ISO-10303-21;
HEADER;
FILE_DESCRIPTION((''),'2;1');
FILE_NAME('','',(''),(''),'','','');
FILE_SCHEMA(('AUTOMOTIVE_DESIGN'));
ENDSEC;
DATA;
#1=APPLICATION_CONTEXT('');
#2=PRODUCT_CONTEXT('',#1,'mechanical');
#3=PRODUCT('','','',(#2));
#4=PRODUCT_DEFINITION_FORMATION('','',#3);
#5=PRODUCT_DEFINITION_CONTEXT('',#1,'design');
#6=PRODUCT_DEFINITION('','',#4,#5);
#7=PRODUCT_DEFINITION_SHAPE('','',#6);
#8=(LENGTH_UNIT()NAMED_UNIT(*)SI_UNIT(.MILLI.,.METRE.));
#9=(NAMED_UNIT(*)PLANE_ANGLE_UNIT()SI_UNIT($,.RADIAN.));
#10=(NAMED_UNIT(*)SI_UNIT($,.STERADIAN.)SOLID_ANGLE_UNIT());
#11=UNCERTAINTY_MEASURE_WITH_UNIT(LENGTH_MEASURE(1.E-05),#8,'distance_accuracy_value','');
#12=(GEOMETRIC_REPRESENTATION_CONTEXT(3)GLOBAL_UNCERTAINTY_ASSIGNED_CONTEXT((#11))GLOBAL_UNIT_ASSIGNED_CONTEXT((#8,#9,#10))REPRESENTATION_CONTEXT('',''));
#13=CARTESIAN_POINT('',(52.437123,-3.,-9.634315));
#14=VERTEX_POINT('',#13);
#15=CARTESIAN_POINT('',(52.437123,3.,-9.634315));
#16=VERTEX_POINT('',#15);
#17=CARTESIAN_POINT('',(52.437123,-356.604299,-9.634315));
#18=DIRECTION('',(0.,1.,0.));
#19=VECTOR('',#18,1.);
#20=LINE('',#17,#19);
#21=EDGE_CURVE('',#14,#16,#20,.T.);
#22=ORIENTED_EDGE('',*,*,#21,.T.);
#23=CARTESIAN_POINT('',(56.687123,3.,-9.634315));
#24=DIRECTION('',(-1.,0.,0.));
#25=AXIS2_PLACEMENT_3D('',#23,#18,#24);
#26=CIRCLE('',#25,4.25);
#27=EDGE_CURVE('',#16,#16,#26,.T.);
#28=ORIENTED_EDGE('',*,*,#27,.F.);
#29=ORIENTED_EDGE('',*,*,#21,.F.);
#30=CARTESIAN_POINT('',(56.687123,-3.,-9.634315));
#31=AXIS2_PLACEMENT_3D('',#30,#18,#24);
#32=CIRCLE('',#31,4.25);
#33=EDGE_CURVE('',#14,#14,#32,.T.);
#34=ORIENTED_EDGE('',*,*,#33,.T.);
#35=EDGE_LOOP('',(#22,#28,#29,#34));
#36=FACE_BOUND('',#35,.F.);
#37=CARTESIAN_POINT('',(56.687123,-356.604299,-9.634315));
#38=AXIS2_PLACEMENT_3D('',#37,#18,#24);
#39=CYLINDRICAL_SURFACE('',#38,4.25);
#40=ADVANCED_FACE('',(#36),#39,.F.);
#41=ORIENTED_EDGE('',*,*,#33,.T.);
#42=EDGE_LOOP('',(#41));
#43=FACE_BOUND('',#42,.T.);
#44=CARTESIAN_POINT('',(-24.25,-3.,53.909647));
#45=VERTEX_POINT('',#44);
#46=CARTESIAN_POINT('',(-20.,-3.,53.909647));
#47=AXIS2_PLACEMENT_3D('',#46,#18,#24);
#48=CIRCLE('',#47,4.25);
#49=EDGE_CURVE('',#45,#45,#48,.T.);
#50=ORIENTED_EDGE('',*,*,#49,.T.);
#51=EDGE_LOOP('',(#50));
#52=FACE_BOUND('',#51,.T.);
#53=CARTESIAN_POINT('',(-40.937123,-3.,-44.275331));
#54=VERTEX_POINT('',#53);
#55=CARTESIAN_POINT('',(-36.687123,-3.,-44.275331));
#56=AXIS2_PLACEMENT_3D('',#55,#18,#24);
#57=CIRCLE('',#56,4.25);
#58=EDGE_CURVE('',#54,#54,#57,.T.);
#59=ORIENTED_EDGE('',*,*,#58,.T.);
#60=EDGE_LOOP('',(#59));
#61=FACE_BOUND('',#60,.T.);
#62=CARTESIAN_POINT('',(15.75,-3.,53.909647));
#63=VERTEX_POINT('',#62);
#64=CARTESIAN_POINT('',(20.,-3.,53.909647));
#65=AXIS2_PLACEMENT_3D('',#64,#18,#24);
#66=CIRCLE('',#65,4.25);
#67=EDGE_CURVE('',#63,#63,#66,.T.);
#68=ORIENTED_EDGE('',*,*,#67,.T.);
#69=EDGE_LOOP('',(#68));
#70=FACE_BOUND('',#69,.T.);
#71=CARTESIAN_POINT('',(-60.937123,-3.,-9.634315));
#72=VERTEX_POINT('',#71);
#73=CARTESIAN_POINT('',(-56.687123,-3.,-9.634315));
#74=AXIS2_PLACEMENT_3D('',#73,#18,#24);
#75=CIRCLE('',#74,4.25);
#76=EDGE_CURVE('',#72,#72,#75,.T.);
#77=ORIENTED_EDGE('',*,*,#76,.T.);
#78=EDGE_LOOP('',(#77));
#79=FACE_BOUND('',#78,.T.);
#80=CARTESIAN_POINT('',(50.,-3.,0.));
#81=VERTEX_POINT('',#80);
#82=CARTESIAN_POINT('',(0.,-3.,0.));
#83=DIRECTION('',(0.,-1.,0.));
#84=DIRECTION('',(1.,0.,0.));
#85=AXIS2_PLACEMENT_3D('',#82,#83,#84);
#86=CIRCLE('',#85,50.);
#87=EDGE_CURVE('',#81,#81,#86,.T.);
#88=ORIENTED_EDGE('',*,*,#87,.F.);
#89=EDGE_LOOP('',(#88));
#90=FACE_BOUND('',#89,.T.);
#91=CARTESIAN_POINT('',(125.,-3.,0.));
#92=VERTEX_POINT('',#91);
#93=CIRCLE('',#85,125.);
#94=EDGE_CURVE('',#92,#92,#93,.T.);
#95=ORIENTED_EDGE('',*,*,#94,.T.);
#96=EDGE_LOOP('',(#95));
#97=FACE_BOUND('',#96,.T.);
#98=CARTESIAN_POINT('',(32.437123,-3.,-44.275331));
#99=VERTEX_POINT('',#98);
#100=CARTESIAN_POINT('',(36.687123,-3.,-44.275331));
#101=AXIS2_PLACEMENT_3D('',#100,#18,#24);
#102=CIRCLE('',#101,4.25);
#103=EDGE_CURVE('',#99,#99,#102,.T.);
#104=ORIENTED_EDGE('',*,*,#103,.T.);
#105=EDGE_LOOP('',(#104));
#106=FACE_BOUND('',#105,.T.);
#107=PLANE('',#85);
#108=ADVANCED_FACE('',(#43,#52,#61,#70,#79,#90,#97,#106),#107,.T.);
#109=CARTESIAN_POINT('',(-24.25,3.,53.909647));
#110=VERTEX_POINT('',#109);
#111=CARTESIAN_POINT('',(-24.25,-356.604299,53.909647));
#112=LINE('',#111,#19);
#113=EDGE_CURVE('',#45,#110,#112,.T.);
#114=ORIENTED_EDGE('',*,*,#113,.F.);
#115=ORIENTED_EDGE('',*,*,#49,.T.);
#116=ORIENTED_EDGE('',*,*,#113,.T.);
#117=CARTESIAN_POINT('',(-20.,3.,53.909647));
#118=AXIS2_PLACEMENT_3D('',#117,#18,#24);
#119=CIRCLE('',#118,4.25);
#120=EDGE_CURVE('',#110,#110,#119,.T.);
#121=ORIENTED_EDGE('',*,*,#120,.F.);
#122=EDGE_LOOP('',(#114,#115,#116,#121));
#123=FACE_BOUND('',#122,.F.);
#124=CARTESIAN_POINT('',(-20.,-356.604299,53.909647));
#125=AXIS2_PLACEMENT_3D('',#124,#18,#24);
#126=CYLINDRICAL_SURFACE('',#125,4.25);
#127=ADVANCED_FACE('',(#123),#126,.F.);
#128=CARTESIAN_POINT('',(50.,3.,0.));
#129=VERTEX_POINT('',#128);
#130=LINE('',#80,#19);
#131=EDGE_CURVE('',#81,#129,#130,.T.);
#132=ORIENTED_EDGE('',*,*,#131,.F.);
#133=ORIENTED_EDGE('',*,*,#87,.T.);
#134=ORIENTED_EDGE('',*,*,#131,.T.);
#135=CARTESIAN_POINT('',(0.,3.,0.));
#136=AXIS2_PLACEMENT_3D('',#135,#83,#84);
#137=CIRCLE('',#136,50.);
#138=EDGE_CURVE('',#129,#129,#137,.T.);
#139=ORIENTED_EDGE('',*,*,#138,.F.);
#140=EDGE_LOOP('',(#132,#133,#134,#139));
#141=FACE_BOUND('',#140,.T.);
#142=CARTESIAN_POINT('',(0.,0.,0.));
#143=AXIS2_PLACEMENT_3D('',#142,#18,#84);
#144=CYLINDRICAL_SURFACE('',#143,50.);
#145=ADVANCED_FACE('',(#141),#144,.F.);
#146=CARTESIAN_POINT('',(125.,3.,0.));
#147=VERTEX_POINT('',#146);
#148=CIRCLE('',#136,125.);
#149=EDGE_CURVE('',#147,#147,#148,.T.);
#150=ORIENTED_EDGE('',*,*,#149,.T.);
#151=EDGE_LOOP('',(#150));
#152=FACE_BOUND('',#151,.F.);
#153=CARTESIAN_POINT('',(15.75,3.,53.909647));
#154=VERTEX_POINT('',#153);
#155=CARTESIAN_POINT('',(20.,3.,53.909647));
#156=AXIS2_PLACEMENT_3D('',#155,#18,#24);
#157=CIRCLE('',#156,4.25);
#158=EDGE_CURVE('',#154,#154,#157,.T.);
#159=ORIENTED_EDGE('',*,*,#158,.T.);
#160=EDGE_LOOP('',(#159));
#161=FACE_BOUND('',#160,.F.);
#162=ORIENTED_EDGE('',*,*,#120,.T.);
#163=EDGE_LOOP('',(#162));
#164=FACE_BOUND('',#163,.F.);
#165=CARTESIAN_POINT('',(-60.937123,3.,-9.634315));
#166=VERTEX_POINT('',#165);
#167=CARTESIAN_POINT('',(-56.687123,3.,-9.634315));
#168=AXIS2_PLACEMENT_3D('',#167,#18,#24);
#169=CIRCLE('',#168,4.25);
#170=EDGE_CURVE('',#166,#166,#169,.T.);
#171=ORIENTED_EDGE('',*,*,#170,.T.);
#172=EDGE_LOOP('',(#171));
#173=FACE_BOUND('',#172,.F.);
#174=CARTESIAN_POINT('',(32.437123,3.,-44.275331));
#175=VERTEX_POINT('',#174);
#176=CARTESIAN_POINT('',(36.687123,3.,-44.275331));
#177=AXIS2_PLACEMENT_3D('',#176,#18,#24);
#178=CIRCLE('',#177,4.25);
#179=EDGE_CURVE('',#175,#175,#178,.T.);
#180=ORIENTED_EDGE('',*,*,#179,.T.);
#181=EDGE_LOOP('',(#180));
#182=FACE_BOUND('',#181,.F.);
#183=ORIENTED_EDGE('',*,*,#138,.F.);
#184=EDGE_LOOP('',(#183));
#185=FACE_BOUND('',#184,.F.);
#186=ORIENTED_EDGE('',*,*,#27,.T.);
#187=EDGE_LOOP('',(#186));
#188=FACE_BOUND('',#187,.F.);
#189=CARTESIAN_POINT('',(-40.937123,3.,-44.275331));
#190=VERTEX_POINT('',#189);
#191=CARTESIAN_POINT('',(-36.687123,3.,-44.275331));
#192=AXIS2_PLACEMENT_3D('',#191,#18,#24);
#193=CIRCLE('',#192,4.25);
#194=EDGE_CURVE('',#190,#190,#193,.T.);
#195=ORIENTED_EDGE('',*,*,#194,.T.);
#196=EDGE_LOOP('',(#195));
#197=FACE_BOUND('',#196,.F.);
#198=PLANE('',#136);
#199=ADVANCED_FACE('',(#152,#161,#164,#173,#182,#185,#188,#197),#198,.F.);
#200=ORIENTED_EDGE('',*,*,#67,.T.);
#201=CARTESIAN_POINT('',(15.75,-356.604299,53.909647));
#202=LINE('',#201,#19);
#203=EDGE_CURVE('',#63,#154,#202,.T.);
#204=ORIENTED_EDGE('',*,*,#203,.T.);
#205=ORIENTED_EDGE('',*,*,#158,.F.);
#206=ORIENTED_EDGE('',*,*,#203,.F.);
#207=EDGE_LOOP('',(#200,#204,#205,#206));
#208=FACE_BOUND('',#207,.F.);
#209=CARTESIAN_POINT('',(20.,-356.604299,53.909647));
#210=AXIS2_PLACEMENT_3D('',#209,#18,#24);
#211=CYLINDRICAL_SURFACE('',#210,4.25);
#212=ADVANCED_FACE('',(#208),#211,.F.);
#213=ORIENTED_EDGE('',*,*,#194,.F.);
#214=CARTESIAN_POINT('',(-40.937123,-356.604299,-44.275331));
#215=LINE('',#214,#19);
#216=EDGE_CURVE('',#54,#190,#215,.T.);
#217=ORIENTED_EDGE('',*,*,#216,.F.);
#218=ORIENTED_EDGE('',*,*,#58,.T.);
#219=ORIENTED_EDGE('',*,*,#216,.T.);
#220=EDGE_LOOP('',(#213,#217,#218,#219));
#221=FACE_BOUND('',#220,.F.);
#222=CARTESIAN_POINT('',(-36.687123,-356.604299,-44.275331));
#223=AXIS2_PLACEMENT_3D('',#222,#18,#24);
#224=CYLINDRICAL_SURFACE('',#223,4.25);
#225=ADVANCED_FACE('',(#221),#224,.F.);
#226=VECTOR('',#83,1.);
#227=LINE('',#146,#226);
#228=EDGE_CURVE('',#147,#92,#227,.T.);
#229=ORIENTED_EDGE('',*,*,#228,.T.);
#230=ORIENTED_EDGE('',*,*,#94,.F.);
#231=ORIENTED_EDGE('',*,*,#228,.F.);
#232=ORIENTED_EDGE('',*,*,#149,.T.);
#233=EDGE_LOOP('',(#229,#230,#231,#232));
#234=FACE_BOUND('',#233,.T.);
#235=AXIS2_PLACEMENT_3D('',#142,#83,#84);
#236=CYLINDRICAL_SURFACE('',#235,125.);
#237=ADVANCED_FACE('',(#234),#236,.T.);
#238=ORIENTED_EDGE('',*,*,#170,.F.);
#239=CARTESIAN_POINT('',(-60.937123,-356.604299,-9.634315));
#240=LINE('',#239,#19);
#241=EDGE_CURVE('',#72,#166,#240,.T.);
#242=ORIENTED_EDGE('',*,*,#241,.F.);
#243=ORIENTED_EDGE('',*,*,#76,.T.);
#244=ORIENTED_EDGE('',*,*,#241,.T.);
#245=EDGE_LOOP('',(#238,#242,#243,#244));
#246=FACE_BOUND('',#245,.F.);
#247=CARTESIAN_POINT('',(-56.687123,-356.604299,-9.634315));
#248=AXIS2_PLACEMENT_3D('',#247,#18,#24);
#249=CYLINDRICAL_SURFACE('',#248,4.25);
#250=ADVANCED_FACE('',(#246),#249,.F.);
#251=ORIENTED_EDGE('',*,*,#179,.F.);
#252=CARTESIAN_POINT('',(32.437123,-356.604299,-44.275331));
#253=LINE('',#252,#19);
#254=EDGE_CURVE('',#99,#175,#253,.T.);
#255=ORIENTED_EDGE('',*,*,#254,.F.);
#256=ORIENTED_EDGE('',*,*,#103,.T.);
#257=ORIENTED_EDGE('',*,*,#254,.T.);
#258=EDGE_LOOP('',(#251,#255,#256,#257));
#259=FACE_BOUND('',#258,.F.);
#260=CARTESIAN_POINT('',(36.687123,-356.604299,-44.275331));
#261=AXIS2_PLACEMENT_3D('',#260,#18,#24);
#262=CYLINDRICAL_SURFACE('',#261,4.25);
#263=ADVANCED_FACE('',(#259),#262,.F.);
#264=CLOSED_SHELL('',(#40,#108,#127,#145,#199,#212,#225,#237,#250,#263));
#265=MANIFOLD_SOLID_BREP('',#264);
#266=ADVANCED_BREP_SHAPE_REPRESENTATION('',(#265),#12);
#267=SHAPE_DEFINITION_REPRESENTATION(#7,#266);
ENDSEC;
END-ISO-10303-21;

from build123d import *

# Parameters (mm, degrees)
F0_R     = 125
F0_R_2   = 50
F1_DEPTH = 3
F3_D     = 8.5


with BuildPart() as f1:
    # F0 (on Front) → F1 (new body, symmetric)
    with BuildSketch(Plane.XZ):
        Circle(F0_R)
        Circle(F0_R_2, mode=Mode.SUBTRACT)
    extrude(amount=F1_DEPTH, both=True)

    # F3 (through all)
    with Locations(Plane.XZ.offset(3)):
        with Locations((-20, 53.909647), (20, 53.909647), (56.687123, -9.634315), (36.687123, -44.275331), (-36.687123, -44.275331), (-56.687123, -9.634315)):
            Hole(F3_D / 2)


solid = f1.part
